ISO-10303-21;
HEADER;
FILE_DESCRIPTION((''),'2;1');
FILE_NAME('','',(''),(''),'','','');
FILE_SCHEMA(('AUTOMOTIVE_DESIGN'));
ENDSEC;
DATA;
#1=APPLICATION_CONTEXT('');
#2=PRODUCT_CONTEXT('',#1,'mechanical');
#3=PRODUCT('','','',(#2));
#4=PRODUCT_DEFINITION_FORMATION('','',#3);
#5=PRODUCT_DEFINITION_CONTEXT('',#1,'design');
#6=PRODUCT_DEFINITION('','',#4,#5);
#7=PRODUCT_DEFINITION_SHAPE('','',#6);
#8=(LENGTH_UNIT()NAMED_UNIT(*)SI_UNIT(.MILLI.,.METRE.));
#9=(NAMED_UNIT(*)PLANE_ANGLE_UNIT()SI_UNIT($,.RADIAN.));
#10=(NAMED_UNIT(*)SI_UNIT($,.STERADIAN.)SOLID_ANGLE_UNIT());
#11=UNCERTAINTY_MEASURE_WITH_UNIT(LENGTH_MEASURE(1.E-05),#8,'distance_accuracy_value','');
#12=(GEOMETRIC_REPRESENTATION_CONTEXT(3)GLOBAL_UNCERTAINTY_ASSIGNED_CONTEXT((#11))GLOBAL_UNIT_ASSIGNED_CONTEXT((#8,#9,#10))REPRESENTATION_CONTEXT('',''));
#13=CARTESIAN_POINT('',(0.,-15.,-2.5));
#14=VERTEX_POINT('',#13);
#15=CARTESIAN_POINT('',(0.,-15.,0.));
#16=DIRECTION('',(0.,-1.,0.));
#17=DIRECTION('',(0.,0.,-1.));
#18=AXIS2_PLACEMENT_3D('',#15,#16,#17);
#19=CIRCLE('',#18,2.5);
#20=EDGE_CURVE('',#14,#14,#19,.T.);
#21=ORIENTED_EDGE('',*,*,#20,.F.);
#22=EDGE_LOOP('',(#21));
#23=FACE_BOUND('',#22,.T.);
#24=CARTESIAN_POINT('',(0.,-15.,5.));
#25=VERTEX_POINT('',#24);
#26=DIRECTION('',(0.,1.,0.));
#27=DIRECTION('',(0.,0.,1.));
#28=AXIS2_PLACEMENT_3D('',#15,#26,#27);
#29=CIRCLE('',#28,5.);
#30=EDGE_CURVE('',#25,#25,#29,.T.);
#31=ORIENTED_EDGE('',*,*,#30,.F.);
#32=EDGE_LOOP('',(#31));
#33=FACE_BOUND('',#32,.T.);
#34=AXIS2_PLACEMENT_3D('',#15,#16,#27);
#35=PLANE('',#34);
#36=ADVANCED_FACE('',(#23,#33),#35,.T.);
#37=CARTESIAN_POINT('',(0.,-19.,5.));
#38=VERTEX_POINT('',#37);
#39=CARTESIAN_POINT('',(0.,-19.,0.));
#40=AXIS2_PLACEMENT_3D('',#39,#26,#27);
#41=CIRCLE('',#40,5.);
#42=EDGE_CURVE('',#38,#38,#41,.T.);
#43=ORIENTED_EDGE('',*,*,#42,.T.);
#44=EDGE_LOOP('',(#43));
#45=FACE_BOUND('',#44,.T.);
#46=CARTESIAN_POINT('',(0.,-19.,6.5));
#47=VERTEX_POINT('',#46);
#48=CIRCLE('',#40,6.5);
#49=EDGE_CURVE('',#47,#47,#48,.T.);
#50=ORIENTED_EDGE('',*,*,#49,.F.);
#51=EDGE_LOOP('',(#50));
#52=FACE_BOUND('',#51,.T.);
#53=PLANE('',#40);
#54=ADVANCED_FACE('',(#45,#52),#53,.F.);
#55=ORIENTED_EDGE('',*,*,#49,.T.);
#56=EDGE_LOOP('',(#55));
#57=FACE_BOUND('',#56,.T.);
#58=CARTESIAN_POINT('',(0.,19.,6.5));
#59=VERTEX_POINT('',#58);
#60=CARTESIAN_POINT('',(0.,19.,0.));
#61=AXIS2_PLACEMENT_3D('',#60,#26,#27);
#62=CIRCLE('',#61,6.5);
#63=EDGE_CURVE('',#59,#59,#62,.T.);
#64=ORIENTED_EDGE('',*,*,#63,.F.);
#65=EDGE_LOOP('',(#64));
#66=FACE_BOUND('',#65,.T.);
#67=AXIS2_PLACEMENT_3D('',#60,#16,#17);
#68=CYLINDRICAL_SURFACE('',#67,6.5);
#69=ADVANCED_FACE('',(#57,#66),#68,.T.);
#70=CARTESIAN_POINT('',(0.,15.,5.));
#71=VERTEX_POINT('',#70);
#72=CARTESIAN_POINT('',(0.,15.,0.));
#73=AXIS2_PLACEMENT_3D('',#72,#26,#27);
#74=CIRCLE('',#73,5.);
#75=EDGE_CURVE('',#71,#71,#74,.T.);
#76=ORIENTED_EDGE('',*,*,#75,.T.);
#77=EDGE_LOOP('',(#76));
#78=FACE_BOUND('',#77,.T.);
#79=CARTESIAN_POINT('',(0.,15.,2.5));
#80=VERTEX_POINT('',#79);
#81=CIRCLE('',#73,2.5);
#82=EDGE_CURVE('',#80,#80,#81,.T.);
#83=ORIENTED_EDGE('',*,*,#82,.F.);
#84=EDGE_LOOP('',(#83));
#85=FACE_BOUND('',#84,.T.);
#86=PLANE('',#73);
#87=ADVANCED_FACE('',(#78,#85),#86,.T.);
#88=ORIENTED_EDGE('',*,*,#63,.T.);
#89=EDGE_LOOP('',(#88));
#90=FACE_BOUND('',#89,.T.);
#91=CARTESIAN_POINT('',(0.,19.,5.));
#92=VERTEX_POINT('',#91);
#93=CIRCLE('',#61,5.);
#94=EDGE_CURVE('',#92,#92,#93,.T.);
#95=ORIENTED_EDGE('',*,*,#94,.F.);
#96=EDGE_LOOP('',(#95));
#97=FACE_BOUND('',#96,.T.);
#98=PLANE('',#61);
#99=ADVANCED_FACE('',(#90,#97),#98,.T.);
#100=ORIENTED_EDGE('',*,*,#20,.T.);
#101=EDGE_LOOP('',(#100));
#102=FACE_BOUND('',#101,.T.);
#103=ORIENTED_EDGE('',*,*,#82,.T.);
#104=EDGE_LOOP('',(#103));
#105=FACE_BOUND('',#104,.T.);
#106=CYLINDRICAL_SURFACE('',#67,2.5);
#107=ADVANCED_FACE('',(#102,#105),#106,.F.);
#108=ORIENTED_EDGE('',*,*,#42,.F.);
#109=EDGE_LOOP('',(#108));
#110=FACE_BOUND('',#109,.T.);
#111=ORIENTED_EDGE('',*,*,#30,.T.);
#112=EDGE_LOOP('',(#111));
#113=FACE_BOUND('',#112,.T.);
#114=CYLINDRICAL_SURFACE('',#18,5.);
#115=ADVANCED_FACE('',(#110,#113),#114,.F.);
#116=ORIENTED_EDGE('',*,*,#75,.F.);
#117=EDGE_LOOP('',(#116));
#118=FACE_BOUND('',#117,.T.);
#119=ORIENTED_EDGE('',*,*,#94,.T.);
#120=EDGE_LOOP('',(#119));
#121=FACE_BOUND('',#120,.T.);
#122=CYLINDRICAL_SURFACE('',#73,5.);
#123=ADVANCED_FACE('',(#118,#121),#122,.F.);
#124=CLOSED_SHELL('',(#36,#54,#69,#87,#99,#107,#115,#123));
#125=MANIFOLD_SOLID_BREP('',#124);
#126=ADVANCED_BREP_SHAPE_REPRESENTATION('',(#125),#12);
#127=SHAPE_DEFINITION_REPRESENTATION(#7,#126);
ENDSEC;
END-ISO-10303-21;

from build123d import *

# Parameters (mm, degrees)
SKETCH_1_R          = 6.5
SKETCH_1_R_2        = 2.5
EXTRUDE_2_DEPTH     = 19
SKETCH_2_R          = 5
CUT_EXTRUDE_1_DEPTH = 4


with BuildPart() as part:
    # 草图1 → 凸台-拉伸2 (new body, symmetric)
    with BuildSketch(Plane(origin=(0, 0, 0), x_dir=(1, 0, 0), z_dir=(0, 1, 0))):
        Circle(SKETCH_1_R)
        Circle(SKETCH_1_R_2, mode=Mode.SUBTRACT)
    extrude(amount=EXTRUDE_2_DEPTH, both=True)

    # 草图2 → 切除-拉伸1 (cut)
    with BuildSketch(Plane(origin=(0, 19, 0), x_dir=(1, 0, 0), z_dir=(0, 1, 0))):
        Circle(SKETCH_2_R)
    cut_extrude_1 = extrude(amount=-CUT_EXTRUDE_1_DEPTH, mode=Mode.SUBTRACT)

    # 镜向1: 切除-拉伸1 across plane
    add(cut_extrude_1.mirror(Plane.ZX), mode=Mode.SUBTRACT)


solid = part.part
